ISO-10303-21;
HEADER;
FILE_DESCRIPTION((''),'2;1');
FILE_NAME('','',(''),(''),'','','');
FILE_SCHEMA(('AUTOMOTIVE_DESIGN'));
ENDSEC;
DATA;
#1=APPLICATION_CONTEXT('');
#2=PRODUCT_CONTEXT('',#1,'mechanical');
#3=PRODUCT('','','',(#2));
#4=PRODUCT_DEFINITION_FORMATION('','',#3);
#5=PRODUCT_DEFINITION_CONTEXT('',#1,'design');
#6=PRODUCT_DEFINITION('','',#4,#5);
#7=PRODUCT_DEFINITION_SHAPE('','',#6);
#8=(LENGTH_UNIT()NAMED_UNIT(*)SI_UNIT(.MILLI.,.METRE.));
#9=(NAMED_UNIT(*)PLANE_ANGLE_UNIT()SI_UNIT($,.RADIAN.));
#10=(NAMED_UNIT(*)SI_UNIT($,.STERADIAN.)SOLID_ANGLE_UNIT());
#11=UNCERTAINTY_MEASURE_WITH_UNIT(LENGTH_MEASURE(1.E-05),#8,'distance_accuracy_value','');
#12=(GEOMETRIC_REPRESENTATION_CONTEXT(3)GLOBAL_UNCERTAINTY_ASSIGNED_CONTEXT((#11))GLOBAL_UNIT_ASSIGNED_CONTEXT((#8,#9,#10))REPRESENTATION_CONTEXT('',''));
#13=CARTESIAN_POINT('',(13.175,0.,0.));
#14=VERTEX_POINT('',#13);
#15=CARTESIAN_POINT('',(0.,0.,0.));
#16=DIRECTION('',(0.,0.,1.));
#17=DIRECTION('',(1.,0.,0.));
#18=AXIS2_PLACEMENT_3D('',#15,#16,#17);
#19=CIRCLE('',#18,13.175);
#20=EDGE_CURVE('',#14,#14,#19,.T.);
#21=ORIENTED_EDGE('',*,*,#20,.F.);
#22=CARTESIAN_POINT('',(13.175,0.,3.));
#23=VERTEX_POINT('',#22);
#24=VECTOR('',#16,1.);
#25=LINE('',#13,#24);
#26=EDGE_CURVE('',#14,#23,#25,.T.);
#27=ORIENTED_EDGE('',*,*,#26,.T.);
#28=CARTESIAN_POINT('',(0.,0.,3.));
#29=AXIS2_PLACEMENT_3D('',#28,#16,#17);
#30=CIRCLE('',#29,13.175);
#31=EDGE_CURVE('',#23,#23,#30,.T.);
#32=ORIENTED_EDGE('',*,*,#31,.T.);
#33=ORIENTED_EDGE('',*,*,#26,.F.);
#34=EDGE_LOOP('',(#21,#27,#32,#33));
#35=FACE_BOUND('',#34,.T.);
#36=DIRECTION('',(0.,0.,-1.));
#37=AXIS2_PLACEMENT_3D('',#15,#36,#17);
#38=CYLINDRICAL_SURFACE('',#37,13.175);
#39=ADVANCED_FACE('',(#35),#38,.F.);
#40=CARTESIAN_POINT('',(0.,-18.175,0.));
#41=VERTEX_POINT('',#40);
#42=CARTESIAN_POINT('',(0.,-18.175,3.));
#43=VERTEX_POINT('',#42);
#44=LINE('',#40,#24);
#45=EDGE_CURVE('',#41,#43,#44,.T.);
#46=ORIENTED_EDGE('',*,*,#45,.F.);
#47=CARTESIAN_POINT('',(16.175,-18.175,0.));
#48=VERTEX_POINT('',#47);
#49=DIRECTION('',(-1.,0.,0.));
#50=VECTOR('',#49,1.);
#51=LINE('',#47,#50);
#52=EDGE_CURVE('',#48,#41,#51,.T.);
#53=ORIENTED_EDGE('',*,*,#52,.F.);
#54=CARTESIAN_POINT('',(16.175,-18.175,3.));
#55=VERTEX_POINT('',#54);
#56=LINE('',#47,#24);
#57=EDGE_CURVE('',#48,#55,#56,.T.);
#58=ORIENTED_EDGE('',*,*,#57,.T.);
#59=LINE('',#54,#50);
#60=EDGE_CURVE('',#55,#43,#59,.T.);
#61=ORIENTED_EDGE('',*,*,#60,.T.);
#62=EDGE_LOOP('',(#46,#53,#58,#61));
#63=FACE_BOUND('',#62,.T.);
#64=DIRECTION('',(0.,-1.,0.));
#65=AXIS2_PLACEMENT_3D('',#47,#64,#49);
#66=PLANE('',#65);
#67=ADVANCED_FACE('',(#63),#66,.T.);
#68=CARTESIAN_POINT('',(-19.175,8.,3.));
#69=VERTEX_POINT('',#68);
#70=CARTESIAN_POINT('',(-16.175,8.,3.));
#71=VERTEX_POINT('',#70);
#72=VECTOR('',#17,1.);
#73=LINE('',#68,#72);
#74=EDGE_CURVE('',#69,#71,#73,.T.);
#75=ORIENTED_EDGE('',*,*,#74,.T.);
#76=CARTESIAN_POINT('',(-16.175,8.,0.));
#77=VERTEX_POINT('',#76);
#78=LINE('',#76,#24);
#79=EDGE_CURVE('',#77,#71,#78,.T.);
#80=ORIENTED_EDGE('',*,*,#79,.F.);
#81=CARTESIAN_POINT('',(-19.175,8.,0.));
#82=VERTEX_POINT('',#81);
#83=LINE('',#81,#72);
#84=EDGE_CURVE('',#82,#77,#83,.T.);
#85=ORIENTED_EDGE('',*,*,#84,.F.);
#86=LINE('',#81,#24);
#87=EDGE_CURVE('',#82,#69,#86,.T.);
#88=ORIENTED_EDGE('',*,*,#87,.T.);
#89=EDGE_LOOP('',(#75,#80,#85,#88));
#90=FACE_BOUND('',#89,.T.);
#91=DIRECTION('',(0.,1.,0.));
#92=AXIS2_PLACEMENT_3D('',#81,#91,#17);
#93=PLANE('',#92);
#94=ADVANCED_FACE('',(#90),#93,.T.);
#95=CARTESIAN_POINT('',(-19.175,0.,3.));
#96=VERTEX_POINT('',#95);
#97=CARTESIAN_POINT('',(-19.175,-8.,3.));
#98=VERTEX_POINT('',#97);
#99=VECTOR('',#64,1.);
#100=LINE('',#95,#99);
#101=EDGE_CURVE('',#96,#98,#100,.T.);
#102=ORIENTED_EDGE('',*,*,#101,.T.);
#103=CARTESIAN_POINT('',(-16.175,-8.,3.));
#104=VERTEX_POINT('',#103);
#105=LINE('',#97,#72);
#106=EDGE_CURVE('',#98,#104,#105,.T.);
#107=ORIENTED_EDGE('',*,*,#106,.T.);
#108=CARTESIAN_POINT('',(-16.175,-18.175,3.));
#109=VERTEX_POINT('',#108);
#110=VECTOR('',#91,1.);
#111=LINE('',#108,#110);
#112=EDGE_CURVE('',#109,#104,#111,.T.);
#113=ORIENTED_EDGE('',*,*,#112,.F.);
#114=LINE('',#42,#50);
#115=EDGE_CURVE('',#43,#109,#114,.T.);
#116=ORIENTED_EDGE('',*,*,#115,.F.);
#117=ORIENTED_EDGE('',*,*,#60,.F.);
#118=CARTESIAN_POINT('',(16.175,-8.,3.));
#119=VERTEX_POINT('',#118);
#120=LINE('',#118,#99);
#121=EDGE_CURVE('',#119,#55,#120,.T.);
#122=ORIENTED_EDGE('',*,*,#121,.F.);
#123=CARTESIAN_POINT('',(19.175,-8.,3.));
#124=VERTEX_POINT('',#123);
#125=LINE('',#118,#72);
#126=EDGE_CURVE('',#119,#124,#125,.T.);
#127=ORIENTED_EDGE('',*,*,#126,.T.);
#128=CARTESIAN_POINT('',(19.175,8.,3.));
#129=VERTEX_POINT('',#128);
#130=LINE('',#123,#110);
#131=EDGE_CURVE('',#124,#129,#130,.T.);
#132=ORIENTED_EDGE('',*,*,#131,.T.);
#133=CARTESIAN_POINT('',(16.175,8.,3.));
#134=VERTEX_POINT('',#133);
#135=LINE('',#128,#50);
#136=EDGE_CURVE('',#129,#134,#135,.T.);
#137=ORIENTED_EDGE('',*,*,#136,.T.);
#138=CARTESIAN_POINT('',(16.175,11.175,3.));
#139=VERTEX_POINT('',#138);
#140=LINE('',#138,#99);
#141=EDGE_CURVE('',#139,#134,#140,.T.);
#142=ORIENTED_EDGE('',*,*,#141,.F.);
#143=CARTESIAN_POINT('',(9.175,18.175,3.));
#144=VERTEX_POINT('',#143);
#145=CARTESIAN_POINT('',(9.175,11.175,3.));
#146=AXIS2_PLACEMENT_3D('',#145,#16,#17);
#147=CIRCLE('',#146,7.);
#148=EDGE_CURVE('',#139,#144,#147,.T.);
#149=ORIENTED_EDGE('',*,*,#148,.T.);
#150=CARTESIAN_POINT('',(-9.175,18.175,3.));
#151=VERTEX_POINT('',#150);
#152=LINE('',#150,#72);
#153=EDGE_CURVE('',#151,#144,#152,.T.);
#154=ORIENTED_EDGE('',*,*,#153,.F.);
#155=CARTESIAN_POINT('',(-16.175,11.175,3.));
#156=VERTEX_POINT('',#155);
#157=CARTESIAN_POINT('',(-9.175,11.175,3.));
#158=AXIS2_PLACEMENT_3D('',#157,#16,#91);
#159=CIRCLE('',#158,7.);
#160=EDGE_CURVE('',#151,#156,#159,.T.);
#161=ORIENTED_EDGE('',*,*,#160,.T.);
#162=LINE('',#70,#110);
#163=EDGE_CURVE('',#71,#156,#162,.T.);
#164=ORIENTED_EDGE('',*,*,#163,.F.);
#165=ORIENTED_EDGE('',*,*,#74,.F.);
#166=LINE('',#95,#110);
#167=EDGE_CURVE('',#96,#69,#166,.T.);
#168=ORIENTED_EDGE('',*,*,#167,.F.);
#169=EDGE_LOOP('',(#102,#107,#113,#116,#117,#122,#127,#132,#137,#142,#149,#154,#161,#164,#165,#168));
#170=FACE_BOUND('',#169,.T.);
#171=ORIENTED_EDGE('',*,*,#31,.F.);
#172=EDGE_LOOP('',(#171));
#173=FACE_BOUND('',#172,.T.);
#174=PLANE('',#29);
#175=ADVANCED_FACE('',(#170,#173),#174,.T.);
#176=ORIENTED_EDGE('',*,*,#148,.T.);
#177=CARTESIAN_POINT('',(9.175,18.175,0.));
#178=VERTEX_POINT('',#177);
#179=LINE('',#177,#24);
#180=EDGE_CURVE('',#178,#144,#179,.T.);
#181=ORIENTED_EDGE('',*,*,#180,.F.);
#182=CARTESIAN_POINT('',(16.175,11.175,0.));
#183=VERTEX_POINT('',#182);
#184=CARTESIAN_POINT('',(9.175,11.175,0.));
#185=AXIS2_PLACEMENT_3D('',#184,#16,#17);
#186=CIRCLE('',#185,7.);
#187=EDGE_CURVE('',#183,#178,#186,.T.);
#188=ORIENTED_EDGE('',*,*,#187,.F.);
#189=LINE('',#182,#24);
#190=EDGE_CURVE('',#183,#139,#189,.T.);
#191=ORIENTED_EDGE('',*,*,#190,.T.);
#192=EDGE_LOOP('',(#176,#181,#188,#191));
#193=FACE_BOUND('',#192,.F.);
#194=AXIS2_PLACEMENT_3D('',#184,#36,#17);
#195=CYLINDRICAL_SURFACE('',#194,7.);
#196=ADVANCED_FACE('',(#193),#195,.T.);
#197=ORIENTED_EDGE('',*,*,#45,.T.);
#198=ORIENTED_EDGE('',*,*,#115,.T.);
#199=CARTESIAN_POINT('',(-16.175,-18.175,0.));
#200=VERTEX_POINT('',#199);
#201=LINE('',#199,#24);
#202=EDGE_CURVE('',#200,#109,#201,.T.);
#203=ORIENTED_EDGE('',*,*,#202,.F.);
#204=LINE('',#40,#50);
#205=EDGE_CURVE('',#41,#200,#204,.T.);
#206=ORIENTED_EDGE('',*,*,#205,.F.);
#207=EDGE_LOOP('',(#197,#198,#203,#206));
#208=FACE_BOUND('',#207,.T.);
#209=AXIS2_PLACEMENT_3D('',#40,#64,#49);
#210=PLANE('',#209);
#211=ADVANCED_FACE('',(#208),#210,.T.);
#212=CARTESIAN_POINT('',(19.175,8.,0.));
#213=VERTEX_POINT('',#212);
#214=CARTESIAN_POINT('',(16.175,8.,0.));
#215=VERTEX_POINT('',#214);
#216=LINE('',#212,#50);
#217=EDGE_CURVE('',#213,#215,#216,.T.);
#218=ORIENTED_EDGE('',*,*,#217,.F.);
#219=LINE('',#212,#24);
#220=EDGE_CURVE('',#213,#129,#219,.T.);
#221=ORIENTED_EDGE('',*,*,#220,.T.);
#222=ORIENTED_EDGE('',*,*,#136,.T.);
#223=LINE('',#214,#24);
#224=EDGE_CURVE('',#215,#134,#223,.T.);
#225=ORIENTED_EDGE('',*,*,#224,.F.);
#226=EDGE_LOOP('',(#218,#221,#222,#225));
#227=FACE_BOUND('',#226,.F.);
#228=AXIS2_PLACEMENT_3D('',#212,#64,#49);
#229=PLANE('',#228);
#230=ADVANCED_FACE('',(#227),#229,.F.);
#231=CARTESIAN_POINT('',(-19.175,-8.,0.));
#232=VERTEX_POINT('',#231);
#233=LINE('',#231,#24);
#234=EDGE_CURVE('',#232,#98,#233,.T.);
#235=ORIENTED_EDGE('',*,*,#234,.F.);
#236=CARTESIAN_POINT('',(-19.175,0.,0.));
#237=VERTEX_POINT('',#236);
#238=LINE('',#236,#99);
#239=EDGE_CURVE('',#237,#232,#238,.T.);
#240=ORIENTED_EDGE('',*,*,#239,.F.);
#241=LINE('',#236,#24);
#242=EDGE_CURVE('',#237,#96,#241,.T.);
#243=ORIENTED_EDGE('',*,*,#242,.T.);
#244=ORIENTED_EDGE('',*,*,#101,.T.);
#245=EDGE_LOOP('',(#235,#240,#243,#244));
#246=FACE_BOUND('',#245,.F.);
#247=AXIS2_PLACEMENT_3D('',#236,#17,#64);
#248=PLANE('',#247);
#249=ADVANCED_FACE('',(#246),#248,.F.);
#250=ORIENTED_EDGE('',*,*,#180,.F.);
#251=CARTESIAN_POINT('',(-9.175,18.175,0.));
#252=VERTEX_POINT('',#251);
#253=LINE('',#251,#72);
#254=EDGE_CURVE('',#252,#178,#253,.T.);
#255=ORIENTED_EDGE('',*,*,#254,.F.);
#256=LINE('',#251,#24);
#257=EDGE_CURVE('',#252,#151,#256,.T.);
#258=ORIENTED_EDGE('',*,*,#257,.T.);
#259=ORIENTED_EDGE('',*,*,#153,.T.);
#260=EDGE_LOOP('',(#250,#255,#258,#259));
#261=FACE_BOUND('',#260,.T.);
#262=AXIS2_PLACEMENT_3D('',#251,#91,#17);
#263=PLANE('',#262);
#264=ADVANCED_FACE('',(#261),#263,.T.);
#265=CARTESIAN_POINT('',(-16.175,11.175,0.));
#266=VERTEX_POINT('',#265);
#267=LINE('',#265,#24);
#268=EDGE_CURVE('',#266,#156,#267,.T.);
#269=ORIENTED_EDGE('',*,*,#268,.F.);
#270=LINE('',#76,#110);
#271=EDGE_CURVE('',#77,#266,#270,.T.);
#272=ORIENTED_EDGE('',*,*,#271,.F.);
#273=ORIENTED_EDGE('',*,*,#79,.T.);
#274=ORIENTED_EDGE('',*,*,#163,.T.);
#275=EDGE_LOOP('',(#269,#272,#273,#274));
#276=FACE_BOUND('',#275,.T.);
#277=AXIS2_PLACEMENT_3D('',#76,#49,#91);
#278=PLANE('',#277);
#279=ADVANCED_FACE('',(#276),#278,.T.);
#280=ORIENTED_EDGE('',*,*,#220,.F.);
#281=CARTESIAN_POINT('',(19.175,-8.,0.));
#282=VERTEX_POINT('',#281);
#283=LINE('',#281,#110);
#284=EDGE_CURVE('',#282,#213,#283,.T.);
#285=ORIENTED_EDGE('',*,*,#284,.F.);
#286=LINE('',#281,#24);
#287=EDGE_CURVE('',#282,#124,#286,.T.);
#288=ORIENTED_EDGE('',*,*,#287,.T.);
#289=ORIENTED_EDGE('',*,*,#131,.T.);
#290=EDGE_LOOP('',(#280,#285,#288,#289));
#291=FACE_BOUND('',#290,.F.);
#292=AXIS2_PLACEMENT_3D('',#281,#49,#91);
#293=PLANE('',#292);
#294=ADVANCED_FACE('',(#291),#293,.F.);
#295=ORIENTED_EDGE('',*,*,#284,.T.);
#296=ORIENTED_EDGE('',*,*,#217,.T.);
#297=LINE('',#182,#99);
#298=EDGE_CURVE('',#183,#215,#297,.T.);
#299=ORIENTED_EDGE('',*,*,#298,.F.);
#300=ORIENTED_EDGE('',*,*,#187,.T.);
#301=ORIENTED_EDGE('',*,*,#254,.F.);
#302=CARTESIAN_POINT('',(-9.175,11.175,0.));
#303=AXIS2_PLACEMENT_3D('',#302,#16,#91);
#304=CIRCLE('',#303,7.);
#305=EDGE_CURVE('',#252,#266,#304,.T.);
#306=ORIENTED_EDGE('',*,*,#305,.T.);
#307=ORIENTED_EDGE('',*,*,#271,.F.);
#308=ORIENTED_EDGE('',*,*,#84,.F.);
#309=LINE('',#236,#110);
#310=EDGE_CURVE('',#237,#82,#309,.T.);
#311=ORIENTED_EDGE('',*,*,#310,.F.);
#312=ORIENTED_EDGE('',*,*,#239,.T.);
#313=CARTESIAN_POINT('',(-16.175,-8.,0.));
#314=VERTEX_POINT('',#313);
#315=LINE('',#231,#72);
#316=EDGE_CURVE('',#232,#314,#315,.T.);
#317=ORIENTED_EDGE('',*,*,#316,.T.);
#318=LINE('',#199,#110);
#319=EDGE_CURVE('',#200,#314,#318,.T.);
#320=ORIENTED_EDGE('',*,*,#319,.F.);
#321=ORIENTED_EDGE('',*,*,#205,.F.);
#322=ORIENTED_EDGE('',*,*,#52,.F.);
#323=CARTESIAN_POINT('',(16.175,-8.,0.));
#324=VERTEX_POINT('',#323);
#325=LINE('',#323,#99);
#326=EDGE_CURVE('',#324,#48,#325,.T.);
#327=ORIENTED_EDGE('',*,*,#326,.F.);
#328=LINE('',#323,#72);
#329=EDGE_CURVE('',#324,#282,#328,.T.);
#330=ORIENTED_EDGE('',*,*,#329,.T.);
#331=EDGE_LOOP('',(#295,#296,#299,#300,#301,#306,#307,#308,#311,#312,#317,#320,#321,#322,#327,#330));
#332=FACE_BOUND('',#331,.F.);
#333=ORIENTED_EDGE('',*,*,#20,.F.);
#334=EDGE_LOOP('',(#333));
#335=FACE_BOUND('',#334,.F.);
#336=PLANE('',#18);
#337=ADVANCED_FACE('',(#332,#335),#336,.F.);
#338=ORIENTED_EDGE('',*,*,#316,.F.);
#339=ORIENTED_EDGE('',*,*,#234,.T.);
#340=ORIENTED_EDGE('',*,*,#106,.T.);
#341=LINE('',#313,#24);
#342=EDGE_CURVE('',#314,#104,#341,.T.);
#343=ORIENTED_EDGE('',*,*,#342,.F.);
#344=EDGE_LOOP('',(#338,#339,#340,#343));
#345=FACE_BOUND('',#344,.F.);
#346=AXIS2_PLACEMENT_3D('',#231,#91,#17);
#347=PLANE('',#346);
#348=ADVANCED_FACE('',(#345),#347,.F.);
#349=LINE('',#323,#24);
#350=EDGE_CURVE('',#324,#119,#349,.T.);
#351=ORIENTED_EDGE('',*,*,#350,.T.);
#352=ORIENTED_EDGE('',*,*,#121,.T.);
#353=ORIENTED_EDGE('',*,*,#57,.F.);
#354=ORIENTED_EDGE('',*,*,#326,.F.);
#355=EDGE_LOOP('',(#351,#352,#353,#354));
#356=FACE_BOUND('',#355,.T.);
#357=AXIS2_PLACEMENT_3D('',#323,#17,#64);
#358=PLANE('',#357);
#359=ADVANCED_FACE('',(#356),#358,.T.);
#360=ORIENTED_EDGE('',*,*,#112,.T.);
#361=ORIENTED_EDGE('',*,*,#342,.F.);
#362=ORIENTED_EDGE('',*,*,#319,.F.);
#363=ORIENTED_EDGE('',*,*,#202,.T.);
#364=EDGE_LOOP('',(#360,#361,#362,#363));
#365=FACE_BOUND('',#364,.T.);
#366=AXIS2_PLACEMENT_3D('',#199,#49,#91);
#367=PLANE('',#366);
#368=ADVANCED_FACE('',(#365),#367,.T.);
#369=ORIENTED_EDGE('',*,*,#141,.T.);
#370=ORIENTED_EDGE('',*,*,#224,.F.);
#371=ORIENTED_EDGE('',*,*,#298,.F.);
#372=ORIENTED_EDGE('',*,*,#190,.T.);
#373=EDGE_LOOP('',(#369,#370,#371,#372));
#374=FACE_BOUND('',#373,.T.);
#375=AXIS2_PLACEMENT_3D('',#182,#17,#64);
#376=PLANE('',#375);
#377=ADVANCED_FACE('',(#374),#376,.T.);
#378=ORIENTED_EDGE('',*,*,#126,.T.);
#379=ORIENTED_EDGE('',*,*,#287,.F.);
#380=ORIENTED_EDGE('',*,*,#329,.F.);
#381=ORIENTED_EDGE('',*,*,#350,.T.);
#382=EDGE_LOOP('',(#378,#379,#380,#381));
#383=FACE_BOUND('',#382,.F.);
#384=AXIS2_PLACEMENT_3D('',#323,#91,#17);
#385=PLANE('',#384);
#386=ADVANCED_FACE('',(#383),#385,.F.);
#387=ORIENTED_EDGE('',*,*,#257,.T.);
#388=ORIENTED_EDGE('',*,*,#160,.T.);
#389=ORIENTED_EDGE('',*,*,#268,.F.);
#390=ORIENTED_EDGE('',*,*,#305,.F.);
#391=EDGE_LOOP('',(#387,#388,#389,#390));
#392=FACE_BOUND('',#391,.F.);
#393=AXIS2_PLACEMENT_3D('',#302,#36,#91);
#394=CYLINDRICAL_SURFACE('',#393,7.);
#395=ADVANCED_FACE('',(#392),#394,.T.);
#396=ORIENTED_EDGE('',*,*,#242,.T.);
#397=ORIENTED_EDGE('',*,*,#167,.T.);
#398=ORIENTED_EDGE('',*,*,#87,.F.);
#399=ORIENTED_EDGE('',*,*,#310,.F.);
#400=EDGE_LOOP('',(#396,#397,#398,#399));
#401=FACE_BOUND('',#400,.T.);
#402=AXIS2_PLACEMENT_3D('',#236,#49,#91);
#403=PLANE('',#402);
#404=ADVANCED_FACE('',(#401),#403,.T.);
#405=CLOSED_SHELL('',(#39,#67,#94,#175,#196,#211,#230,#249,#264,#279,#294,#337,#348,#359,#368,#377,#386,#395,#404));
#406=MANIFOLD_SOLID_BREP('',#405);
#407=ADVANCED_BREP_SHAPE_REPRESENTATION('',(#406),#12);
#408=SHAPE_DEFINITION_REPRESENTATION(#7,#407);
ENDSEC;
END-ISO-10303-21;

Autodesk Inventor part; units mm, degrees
ref_plane "YZ Plane" through (0, 0, 0) normal (1, 0, 0) x (0, 1, 0)
ref_plane "XZ Plane" through (0, 0, 0) normal (0, 1, 0) x (-1, 0, 0)
ref_plane "XY Plane" through (0, 0, 0) normal (0, 0, 1) x (1, 0, 0)
sketch "Boceto1" plane through (0, 0, 0) normal (0, 0, 1) x (1, 0, 0)
  circle A0 centre (0, 0) radius 13.175
  line L0 (0, -18.175) -> (-16.175, -18.175)
  line L1 (-9.175, 18.175) -> (9.175, 18.175)
  line L2 (16.175, -18.175) -> (0, -18.175)
  line L3 (-19.175, 0) -> (-19.175, 8)
  line L4 (-19.175, 8) -> (-16.175, 8)
  line L5 (-19.175, 0) -> (-19.175, -8)
  line L6 (-19.175, -8) -> (-16.175, -8)
  line L7 (-16.175, -18.175) -> (-16.175, -8)
  line L8 (-16.175, 8) -> (-16.175, 11.175)
  line L9 (16.175, -8) -> (19.175, -8)
  line L10 (19.175, -8) -> (19.175, 8)
  line L11 (19.175, 8) -> (16.175, 8)
  line L12 (16.175, 11.175) -> (16.175, 8)
  line L13 (16.175, -8) -> (16.175, -18.175)
  arc A1 (-9.175, 18.175) -> (-16.175, 11.175) centre (-9.175, 11.175) ccw
  arc A2 (16.175, 11.175) -> (9.175, 18.175) centre (9.175, 11.175) ccw
  dimension "d12" = 7
  dimension "d15" = 32.35
  dimension "d16" = 29.35
  dimension "d17" = 8
  dimension "d18" = 10.175
extrude "Extrusión1" add sketch "Boceto1" along normal blind 3
properties part number "muñeca3"
